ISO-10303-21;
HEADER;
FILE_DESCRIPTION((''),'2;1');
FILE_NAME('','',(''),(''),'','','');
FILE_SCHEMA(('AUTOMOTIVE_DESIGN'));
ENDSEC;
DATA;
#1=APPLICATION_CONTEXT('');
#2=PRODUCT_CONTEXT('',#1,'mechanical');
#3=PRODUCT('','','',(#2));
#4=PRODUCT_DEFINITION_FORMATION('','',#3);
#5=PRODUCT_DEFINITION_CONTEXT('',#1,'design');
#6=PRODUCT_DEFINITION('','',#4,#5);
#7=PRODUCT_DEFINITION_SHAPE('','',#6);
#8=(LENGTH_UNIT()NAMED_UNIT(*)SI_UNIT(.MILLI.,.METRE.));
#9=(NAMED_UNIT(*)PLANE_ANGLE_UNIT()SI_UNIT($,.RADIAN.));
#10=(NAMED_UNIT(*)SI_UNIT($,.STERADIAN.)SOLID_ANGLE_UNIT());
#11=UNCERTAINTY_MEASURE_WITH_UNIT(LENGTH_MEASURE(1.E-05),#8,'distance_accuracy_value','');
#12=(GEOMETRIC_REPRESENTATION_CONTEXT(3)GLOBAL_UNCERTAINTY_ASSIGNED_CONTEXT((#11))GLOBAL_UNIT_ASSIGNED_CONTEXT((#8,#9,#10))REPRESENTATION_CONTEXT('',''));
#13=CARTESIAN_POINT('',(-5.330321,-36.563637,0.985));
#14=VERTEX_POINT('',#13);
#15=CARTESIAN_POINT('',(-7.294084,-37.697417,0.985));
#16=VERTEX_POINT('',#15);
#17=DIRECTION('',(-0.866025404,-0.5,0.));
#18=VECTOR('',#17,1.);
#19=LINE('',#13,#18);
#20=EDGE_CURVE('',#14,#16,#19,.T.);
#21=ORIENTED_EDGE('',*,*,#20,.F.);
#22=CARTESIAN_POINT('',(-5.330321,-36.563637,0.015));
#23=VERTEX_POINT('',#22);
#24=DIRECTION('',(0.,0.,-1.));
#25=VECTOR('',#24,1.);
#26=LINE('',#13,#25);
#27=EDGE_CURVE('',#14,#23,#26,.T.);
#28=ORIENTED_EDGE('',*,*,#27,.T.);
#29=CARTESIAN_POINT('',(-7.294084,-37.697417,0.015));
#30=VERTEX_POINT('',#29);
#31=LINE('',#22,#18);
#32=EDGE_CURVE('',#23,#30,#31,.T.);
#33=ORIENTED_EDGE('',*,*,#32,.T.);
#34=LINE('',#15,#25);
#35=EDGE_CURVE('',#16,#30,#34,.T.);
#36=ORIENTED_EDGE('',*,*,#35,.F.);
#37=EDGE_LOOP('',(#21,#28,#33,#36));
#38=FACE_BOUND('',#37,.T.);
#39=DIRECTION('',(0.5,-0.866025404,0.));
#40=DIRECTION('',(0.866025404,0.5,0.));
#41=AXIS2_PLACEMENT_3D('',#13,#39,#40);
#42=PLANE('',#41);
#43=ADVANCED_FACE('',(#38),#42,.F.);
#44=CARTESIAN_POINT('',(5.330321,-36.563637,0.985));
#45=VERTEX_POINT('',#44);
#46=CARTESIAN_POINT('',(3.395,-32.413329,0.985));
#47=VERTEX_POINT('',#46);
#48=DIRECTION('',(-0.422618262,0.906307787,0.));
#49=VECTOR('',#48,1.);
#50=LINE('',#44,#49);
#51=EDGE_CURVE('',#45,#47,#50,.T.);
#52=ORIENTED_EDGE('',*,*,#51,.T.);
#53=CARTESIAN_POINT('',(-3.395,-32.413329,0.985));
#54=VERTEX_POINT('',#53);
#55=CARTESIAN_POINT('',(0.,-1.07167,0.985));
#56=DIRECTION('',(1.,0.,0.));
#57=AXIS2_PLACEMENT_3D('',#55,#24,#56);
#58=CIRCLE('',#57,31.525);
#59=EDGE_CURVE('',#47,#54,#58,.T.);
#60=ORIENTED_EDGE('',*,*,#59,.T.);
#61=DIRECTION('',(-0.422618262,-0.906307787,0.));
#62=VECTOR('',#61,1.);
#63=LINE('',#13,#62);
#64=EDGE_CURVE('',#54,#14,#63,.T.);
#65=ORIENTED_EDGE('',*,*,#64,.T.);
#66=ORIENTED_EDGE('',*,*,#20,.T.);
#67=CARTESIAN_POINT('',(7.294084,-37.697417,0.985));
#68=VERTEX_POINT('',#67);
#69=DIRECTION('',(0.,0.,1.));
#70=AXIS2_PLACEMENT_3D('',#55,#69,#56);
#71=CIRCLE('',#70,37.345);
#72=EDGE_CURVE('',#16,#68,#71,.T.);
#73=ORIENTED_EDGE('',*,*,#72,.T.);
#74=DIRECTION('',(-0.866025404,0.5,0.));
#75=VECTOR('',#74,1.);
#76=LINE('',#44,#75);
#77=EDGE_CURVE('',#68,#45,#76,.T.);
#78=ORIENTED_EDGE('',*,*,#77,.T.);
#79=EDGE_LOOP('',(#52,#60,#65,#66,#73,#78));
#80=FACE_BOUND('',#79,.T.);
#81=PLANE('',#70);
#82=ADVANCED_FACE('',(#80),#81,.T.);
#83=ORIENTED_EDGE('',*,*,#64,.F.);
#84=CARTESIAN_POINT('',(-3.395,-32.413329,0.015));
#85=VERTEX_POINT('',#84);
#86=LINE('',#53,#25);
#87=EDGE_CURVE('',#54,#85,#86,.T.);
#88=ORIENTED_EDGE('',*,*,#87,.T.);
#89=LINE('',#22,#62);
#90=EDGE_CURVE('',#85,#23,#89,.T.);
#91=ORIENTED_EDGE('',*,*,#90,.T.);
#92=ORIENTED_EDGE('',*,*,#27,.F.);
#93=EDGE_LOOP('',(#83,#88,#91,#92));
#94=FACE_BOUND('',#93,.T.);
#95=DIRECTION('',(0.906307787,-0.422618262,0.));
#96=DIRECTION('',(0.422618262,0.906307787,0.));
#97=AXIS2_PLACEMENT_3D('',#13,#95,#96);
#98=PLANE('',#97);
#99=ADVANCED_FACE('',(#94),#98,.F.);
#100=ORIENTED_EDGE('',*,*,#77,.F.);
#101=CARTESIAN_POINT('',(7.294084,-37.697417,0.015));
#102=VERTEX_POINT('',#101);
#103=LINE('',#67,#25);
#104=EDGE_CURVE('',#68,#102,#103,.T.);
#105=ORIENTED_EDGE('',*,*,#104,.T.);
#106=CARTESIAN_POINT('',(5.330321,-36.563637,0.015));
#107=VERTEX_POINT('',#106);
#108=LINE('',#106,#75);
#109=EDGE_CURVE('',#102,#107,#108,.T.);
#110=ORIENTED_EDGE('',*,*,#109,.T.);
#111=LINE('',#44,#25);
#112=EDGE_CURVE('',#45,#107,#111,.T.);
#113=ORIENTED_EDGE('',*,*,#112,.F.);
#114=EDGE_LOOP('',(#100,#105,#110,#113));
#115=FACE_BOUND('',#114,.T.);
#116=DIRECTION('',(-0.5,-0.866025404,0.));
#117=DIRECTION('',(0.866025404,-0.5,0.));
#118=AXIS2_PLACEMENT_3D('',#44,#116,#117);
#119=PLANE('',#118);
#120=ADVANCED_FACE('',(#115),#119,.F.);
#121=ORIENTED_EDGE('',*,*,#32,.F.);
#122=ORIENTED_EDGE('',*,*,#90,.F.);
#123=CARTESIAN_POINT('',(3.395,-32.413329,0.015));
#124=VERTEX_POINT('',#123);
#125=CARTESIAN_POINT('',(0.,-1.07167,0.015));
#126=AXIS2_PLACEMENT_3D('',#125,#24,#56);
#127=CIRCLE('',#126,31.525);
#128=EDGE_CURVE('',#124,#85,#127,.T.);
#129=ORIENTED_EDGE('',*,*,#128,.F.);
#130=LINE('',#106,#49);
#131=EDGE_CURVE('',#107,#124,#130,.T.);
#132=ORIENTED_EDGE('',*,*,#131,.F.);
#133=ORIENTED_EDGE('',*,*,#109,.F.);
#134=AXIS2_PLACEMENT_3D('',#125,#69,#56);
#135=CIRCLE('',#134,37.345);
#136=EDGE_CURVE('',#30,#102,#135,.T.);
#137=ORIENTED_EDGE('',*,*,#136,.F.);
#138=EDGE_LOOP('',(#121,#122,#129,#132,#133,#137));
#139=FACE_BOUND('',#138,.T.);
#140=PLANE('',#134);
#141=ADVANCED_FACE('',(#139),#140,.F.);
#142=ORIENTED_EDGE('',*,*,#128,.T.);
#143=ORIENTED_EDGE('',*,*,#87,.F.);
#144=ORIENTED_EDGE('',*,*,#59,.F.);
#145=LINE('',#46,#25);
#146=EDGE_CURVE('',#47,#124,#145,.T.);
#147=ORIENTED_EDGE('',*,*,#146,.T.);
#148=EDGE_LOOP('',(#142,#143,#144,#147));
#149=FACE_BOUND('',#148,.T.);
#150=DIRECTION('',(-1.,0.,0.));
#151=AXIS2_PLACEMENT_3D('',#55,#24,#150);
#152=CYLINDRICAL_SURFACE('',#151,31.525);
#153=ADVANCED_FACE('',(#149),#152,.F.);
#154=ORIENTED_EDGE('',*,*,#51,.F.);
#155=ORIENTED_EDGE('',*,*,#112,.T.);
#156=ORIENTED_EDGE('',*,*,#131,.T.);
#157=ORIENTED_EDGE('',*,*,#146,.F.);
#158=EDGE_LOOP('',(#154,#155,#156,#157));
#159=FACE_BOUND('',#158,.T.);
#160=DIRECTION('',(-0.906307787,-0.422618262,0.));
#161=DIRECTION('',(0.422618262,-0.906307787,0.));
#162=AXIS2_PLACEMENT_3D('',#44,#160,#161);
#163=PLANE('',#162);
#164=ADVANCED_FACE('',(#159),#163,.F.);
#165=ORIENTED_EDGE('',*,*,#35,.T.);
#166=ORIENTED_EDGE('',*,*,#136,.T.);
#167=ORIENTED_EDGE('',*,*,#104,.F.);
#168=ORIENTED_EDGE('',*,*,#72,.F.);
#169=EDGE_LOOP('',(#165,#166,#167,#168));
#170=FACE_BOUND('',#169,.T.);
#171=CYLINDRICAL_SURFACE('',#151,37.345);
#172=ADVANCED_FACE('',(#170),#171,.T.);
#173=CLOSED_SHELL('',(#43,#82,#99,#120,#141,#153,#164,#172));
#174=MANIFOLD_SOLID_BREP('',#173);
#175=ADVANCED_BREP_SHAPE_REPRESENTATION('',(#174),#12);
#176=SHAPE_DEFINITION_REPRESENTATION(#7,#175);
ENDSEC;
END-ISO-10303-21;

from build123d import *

# Parameters (mm, degrees)
BOSS_EXTRUDE1_DEPTH = 1
SCALE1_SCALE        = 0.97


with BuildPart() as part:
    # Sketch1 → Boss-Extrude1 (new body)
    with BuildSketch(Plane.XY):
        with BuildLine():
            Line((-5.495175992, -36.589657566), (-3.5, -32.310988843))
            ThreePointArc((-3.5, -32.310988843), (0, -32.5), (3.5, -32.310988843))
            Line((3.5, -32.310988843), (5.495175992, -36.589657566))
            Line((5.495175992, -36.589657566), (7.519674459, -37.758502301))
            ThreePointArc((7.519674459, -37.758502301), (0, -38.5), (-7.519674459, -37.758502301))
            Line((-7.519674459, -37.758502301), (-5.495175992, -36.589657566))
        make_face()
    extrude(amount=BOSS_EXTRUDE1_DEPTH)


with BuildPart() as part_1:
    # Scale1: scaled about (0, -35.722317189, 0.5)
    add(part.part.scale(SCALE1_SCALE).moved(Location((0, -1.071669516, 0.015))))


solid = part_1.part
